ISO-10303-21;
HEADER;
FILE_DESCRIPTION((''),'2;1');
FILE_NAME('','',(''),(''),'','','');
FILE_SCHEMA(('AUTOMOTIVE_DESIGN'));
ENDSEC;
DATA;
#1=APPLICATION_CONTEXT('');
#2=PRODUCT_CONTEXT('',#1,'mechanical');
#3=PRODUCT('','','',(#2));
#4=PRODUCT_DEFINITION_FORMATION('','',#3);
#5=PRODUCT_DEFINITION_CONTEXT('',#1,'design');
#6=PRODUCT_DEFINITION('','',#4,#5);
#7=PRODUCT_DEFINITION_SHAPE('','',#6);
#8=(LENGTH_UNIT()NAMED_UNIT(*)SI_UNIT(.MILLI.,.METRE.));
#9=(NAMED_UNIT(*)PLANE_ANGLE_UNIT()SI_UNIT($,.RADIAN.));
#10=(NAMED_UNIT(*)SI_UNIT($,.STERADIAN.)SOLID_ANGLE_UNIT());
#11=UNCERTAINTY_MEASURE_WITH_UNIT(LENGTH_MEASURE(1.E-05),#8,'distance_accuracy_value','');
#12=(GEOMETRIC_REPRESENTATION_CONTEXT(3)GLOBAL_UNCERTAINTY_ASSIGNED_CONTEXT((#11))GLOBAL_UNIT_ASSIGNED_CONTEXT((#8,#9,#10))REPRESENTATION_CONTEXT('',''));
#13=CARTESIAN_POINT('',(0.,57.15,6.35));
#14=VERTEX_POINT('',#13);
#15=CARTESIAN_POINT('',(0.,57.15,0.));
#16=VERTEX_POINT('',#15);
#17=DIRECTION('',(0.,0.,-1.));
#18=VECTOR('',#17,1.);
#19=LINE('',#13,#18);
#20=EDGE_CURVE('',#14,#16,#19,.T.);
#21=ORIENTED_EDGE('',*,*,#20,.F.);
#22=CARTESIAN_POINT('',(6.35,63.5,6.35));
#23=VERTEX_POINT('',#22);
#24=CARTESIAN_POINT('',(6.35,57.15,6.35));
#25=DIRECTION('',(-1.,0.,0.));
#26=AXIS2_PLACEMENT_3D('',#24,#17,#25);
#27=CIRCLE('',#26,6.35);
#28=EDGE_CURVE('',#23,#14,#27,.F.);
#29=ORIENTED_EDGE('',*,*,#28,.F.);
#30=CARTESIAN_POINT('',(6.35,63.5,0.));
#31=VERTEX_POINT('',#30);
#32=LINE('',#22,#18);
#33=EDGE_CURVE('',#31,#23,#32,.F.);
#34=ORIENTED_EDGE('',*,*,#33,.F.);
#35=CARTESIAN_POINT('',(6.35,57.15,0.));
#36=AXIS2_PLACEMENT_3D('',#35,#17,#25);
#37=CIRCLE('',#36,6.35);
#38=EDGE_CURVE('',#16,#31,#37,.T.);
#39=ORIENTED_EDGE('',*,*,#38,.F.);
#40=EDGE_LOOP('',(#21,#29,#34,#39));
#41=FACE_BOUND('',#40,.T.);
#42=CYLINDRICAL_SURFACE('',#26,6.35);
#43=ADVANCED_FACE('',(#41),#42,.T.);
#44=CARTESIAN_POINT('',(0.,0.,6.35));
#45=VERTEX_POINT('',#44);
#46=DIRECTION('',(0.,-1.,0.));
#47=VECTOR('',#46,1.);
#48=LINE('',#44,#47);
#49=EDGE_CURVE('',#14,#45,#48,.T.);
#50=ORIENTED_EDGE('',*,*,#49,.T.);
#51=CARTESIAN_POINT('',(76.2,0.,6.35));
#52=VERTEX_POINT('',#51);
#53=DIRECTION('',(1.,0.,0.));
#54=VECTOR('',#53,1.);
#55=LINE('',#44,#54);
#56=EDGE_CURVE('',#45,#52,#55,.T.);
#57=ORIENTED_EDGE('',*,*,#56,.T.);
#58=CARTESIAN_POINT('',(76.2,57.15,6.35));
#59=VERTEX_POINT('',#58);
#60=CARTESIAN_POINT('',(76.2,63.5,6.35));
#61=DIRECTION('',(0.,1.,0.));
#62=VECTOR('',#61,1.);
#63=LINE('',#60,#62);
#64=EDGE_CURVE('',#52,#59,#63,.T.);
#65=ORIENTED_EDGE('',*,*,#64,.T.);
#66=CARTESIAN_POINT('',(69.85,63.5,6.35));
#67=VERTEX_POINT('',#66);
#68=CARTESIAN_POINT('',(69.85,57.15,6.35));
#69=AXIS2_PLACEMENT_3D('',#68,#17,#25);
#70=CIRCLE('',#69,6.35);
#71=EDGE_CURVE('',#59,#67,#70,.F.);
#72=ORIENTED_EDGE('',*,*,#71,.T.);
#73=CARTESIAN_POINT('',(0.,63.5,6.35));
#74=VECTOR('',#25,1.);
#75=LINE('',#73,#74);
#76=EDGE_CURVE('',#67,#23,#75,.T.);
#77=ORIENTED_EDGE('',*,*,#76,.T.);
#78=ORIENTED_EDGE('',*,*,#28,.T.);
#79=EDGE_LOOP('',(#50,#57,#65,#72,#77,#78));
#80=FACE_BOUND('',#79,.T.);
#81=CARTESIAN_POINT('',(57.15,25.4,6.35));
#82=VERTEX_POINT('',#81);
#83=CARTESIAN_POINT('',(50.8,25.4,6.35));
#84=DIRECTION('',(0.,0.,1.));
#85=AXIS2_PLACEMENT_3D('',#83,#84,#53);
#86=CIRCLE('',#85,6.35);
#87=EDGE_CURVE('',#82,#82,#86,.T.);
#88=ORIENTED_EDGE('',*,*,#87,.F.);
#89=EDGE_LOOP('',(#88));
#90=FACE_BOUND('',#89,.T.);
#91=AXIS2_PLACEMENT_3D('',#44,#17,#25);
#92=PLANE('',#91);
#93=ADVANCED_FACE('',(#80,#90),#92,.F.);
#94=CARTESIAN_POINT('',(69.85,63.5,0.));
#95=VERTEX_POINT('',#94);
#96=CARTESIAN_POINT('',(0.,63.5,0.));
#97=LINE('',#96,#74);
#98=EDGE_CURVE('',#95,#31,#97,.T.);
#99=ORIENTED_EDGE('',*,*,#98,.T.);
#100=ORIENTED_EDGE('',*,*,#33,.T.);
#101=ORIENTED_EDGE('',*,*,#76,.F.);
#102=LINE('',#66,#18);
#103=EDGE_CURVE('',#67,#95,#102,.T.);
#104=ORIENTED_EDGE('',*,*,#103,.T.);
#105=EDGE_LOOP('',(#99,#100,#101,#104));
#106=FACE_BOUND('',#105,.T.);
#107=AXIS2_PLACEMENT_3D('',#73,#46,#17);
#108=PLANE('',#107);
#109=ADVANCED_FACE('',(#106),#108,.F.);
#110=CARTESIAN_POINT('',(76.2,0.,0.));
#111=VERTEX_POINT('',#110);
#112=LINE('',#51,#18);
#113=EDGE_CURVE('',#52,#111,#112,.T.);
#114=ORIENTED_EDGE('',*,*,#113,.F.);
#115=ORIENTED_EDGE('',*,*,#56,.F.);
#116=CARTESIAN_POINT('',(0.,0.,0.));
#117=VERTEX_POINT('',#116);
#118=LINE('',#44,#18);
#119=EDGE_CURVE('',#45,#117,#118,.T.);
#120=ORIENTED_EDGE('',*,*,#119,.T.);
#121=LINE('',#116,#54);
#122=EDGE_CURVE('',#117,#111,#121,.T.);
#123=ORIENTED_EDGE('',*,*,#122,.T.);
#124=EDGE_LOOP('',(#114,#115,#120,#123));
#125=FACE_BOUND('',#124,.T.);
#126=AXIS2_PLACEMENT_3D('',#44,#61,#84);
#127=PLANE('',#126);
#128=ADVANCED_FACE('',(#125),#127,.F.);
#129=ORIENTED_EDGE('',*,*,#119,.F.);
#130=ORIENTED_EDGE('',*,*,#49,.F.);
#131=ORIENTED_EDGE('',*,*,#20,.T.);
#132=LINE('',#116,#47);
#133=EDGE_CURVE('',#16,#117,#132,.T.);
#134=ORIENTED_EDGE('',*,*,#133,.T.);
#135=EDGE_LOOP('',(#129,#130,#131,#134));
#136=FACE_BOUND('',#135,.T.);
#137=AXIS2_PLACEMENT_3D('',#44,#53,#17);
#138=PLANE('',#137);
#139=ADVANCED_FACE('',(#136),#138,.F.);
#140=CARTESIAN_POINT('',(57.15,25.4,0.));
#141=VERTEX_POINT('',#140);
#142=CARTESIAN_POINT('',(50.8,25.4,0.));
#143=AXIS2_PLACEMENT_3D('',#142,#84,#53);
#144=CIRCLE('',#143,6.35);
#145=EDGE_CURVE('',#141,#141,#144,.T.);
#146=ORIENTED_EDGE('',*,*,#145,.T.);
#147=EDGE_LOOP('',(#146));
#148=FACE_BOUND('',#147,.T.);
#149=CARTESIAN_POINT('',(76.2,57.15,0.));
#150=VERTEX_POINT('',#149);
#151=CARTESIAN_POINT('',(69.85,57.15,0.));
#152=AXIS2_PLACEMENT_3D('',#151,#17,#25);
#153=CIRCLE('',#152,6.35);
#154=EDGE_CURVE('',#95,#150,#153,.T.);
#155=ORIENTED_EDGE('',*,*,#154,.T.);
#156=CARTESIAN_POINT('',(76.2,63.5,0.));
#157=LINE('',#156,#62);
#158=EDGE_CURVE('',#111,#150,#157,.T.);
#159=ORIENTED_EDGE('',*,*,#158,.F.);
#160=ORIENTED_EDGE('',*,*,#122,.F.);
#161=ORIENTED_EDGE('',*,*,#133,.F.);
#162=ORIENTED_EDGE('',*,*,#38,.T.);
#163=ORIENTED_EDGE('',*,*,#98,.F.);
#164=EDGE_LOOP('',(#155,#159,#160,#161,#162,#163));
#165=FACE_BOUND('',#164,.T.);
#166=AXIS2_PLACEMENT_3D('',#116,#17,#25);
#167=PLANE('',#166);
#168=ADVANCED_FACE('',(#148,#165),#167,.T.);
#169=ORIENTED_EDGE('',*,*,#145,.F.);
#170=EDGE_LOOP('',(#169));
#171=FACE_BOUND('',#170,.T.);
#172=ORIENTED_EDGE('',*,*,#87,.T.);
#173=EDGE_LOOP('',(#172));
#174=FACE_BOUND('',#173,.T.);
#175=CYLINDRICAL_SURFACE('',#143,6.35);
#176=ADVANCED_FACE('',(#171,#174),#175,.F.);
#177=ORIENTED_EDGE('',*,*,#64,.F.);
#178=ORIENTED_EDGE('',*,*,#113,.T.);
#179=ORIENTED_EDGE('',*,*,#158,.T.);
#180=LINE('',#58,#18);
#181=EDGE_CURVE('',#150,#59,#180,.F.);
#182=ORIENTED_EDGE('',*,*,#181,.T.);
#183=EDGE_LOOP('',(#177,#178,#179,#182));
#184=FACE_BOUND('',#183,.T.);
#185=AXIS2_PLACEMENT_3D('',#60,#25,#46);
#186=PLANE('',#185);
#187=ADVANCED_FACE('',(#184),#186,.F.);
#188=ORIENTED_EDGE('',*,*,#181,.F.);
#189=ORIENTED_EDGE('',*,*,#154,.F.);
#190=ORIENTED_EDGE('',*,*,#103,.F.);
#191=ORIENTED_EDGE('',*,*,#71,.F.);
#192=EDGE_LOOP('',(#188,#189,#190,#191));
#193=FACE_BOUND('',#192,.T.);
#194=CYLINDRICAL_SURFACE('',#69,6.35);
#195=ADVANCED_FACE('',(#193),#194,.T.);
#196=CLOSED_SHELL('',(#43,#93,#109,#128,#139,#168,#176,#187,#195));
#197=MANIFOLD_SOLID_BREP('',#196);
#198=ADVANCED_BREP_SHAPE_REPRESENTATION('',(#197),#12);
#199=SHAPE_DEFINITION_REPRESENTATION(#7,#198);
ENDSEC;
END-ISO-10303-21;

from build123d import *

# Parameters (mm, degrees)
SKETCH1_W           = 76.2
SKETCH1_H           = 63.5
BOSS_EXTRUDE1_DEPTH = 6.35
FILLET1_R           = 6.35
FILLET2_R           = 6.35
SKETCH2_R           = 6.35
CUT_EXTRUDE1_DEPTH  = 7.35


with BuildPart() as part:
    # Sketch1 → Boss-Extrude1 (new body)
    with BuildSketch(Plane.XY):
        with Locations((38.1, 31.75)):
            Rectangle(SKETCH1_W, SKETCH1_H)
    extrude(amount=BOSS_EXTRUDE1_DEPTH)

    # Fillet1
    fillet1_edges = [part.edges().sort_by_distance(p)[0] for p in [
        (0, 63.5, 3.175),
    ]]
    fillet(fillet1_edges, radius=FILLET1_R)

    # Fillet2
    fillet2_edges = [part.edges().sort_by_distance(p)[0] for p in [
        (76.2, 63.5, 3.175),
    ]]
    fillet(fillet2_edges, radius=FILLET2_R)

    # Sketch2 → Cut-Extrude1 (cut, through all)
    with BuildSketch(Plane.XY.offset(6.35)):
        with Locations((50.8, 25.4)):
            Circle(SKETCH2_R)
    extrude(amount=-CUT_EXTRUDE1_DEPTH, mode=Mode.SUBTRACT)


solid = part.part
